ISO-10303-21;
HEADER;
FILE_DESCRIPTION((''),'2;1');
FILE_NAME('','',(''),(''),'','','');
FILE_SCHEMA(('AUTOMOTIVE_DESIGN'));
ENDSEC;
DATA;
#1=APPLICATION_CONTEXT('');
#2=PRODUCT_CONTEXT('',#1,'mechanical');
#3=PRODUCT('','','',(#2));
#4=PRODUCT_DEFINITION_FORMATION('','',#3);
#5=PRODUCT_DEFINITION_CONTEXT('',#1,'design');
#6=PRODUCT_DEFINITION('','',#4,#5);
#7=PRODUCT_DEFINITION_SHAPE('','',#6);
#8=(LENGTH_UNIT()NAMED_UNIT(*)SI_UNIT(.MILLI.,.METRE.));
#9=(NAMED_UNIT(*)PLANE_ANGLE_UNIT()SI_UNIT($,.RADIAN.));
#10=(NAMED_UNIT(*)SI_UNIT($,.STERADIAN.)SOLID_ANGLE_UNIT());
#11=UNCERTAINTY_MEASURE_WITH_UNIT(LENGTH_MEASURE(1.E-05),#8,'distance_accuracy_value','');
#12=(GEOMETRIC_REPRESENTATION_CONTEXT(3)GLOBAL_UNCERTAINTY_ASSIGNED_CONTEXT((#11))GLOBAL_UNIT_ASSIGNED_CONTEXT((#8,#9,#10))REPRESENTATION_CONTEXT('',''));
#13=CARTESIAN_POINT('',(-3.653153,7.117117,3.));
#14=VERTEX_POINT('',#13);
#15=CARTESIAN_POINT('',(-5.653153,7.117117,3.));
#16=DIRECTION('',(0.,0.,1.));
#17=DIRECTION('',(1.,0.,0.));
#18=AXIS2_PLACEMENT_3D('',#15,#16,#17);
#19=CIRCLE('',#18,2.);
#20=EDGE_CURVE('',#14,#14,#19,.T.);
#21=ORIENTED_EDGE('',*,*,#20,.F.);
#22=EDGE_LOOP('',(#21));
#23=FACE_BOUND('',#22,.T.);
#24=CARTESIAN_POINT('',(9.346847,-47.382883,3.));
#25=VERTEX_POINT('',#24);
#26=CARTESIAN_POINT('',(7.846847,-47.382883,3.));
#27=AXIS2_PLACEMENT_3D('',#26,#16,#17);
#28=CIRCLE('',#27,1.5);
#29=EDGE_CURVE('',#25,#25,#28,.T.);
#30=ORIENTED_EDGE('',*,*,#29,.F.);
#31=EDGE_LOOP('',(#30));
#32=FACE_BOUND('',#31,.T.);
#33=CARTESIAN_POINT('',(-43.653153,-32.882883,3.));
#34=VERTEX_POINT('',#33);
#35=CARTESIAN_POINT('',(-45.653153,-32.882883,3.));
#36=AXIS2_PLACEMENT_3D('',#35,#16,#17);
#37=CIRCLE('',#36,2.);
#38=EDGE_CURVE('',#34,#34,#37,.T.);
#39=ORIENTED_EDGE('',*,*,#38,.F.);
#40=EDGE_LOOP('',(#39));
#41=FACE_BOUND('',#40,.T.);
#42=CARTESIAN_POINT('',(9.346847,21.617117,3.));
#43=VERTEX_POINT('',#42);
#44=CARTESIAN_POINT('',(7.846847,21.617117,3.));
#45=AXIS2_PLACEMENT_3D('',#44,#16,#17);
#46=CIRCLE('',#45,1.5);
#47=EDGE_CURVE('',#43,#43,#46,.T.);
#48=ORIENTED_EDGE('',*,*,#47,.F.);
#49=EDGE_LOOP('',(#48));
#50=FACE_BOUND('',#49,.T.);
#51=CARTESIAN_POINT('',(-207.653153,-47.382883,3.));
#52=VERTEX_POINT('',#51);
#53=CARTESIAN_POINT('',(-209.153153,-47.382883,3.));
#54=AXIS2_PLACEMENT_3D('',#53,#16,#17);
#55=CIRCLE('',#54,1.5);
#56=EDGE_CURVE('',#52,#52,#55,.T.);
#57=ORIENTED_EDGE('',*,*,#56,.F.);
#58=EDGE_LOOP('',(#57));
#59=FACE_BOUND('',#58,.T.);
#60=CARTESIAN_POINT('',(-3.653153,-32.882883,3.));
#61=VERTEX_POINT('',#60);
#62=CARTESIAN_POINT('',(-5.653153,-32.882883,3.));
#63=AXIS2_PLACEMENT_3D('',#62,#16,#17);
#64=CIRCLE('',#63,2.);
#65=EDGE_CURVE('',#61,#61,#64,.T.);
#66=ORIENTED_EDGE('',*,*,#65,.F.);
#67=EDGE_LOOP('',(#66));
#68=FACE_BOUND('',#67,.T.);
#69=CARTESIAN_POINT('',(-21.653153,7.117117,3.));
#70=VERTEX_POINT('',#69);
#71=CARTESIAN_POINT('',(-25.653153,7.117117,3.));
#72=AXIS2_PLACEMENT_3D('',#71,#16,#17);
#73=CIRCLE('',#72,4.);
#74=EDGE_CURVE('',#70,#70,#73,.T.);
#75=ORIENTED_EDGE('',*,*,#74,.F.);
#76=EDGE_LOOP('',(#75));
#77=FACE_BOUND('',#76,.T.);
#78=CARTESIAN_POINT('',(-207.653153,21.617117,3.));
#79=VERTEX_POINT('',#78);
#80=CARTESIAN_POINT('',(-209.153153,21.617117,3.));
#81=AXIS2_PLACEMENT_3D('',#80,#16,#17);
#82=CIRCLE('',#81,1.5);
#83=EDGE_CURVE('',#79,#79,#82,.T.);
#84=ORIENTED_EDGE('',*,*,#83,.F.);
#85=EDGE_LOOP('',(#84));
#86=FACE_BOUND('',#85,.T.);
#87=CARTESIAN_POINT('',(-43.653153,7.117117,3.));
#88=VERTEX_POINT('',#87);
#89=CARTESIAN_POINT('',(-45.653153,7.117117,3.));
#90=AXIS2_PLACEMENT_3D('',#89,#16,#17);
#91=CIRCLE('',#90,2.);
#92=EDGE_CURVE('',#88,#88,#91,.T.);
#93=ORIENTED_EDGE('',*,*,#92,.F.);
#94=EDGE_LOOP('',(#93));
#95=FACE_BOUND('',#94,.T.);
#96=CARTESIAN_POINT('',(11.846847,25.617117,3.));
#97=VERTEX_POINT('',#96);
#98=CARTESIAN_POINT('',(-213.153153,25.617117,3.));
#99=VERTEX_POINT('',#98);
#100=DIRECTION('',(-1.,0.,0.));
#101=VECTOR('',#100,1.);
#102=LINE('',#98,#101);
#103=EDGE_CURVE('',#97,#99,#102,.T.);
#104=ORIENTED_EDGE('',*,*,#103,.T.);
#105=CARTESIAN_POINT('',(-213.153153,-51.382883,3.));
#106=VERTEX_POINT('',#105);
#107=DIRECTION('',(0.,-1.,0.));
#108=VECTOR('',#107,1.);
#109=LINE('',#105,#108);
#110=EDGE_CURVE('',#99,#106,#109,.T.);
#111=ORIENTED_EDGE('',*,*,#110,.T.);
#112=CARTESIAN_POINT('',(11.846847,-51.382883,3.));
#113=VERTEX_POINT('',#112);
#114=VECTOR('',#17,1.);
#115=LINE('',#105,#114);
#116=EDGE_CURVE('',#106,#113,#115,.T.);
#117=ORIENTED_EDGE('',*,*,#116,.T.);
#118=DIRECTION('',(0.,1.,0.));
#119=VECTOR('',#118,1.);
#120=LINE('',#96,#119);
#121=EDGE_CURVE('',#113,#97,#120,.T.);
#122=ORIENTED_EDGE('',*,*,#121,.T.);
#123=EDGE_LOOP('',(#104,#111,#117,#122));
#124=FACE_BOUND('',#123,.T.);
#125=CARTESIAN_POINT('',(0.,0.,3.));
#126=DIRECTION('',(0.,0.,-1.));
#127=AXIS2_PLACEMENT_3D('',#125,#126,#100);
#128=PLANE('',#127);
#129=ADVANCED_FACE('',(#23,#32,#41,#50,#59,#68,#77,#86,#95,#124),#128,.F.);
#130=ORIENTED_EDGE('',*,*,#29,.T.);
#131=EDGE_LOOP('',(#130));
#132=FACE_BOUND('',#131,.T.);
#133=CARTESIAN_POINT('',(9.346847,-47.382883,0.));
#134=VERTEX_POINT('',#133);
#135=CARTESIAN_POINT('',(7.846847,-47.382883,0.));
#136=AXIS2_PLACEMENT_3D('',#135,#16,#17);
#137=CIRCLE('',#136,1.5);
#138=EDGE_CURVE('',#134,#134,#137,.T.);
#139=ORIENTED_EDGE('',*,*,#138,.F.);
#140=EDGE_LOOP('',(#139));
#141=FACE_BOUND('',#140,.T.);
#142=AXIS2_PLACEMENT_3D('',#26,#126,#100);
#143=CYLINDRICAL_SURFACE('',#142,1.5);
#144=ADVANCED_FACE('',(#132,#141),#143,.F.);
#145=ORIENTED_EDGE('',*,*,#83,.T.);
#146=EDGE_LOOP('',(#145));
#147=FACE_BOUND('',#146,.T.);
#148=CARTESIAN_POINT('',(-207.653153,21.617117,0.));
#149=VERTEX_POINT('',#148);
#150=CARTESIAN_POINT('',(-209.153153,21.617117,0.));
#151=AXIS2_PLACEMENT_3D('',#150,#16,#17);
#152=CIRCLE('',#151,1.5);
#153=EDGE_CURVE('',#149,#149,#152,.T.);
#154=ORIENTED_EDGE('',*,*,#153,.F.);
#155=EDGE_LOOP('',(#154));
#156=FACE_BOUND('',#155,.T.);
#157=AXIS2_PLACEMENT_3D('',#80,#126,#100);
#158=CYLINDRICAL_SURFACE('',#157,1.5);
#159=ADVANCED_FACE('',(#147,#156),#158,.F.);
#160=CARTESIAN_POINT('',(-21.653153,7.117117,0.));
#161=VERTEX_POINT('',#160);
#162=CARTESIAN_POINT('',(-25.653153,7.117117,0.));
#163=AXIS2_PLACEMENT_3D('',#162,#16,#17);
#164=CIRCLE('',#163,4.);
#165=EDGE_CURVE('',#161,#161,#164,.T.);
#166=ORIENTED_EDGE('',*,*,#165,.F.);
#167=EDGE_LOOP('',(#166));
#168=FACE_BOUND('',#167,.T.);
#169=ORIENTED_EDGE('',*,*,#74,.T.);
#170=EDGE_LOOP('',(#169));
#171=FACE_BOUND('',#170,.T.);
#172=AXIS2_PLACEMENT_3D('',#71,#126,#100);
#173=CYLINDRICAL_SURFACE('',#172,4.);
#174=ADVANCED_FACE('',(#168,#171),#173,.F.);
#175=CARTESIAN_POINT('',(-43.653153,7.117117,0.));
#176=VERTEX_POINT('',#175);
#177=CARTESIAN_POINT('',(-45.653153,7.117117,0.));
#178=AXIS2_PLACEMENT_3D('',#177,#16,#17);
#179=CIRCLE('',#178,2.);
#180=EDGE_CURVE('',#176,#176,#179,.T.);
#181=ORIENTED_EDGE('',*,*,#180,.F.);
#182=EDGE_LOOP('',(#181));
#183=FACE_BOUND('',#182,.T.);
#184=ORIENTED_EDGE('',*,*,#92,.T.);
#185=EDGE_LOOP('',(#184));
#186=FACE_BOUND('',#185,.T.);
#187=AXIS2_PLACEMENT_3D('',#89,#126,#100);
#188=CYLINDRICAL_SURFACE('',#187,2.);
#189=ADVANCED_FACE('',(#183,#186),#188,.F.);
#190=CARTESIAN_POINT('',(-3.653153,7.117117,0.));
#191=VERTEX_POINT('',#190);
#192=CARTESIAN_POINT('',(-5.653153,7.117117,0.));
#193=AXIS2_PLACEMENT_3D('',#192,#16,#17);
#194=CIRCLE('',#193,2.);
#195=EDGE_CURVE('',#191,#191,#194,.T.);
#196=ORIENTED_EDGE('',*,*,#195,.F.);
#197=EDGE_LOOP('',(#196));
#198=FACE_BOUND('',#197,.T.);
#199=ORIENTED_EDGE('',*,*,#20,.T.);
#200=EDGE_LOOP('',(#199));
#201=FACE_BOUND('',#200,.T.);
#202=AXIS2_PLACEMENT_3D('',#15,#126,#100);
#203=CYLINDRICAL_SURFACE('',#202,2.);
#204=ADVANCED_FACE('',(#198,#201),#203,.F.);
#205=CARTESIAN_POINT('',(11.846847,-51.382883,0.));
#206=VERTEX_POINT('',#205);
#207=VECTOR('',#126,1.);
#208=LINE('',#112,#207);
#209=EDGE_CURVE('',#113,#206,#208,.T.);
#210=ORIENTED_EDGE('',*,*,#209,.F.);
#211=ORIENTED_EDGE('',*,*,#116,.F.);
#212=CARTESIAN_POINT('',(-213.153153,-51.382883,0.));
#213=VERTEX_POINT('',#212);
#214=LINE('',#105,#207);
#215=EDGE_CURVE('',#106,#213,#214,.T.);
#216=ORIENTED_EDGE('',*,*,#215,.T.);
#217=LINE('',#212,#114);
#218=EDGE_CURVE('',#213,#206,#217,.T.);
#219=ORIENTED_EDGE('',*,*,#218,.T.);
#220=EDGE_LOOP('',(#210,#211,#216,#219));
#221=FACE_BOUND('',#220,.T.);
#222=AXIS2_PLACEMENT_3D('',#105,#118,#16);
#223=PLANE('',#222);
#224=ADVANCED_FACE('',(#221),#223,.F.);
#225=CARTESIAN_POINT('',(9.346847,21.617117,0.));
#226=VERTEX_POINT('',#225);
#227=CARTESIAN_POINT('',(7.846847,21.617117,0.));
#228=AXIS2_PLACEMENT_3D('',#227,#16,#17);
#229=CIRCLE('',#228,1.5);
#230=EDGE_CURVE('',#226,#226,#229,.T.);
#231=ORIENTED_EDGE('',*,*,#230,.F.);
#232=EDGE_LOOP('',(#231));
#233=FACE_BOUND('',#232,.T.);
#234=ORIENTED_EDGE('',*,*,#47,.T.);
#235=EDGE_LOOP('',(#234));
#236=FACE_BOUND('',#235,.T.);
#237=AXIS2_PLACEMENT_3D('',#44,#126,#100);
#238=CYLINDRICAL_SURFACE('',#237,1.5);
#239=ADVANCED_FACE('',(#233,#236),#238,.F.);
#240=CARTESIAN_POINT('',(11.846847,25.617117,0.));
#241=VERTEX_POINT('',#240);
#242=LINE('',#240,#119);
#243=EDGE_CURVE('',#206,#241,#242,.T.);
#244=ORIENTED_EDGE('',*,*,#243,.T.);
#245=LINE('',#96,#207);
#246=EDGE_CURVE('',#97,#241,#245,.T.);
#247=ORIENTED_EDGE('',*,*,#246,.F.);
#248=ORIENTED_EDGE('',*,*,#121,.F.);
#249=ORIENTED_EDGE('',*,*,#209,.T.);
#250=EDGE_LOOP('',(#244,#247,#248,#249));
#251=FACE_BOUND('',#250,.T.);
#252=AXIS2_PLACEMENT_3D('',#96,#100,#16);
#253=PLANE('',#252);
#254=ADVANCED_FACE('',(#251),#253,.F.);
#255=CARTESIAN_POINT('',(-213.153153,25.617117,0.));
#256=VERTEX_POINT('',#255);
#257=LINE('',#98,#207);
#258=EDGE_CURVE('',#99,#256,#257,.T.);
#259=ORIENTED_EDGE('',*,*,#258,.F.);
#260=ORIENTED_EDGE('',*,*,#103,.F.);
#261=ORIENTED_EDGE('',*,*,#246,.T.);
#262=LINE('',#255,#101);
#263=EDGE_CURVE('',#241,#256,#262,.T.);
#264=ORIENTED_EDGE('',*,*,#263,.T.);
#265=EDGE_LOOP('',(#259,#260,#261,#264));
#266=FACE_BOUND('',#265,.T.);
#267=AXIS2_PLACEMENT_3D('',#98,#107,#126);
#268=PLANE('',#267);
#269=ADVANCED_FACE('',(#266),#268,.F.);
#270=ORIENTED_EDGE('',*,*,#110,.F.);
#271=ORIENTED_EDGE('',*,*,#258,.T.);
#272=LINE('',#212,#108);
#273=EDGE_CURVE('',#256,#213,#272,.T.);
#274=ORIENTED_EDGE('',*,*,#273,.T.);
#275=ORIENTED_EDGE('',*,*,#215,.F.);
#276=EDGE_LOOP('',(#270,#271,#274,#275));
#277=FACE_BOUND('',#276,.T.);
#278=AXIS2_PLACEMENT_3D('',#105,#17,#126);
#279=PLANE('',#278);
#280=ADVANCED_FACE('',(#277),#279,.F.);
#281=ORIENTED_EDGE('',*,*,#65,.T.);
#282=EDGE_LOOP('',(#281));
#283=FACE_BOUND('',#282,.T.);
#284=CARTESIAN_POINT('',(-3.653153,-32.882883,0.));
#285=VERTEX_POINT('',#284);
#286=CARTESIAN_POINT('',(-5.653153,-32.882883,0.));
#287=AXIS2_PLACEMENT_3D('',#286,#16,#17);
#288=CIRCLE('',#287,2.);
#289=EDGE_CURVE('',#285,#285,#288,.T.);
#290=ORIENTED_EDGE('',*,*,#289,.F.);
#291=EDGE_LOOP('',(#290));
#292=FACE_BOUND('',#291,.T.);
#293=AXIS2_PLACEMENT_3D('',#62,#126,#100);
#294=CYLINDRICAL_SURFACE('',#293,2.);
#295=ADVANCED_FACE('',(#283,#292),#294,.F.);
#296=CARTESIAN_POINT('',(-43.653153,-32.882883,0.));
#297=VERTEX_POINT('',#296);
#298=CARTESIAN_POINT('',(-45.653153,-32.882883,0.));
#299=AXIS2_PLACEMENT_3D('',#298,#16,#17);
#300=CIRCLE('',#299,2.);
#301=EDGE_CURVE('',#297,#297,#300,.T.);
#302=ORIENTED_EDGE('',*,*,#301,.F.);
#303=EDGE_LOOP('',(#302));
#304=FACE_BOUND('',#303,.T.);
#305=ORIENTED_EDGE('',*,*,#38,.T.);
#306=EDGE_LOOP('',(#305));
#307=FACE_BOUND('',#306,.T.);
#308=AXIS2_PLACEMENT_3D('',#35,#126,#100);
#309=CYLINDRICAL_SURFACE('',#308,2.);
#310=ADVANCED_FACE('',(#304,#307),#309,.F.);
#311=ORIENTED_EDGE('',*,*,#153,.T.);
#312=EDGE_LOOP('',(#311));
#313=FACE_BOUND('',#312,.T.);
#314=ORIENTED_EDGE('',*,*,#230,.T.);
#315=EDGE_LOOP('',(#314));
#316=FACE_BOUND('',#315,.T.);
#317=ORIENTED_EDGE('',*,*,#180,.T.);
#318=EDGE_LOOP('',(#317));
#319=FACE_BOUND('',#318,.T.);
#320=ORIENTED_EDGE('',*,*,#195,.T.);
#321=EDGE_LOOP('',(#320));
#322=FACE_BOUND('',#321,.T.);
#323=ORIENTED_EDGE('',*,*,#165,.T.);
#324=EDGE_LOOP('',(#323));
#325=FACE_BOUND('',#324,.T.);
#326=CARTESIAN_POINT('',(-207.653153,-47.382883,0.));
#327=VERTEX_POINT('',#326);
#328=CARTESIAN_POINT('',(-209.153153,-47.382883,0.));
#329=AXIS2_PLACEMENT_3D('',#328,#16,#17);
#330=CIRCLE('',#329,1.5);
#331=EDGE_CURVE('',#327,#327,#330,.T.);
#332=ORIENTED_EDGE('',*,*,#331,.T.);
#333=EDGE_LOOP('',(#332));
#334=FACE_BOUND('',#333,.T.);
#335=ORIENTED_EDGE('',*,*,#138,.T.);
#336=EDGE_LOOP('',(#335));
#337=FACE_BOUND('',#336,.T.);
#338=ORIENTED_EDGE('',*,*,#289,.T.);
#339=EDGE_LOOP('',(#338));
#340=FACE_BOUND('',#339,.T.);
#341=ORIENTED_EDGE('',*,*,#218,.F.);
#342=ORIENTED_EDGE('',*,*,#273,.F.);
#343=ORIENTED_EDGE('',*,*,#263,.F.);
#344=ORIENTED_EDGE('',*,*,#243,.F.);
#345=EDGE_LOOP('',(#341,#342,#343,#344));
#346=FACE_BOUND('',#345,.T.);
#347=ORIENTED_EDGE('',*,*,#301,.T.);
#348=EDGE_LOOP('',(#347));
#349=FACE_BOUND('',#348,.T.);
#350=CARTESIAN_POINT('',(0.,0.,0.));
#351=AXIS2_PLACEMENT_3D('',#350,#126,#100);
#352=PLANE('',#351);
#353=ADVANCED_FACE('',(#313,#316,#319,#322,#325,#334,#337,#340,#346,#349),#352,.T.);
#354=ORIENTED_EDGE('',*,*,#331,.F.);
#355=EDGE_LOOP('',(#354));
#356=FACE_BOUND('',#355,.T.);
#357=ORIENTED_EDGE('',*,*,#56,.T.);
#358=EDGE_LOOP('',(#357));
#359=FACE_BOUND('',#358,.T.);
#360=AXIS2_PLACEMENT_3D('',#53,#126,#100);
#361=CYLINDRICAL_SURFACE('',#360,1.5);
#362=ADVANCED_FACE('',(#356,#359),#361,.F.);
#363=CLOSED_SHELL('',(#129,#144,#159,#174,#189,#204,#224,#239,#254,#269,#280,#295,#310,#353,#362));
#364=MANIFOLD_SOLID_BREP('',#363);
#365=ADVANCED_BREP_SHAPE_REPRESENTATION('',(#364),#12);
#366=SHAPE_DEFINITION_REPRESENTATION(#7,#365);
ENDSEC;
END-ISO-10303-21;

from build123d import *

# Parameters (mm, degrees)
SKETCH_1_W      = 225
SKETCH_1_H      = 77
SKETCH_1_R      = 1.5
SKETCH_1_R_2    = 2
SKETCH_1_R_3    = 4
EXTRUDE_1_DEPTH = 3


with BuildPart() as part:
    # 草图1 → 凸台-拉伸1 (new body)
    with BuildSketch(Plane.XY):
        with Locations((-100.653153153, -12.882882883)):
            Rectangle(SKETCH_1_W, SKETCH_1_H)
        with Locations((-209.153153153, 21.617117117)):
            Circle(SKETCH_1_R, mode=Mode.SUBTRACT)
        with Locations((7.846846847, 21.617117117)):
            Circle(SKETCH_1_R, mode=Mode.SUBTRACT)
        with Locations((-209.153153153, -47.382882883)):
            Circle(SKETCH_1_R, mode=Mode.SUBTRACT)
        with Locations((7.846846847, -47.382882883)):
            Circle(SKETCH_1_R, mode=Mode.SUBTRACT)
        with Locations((-5.653153153, -32.882882883)):
            Circle(SKETCH_1_R_2, mode=Mode.SUBTRACT)
        with Locations((-45.653153153, -32.882882883)):
            Circle(SKETCH_1_R_2, mode=Mode.SUBTRACT)
        with Locations((-45.653153153, 7.117117117)):
            Circle(SKETCH_1_R_2, mode=Mode.SUBTRACT)
        with Locations((-5.653153153, 7.117117117)):
            Circle(SKETCH_1_R_2, mode=Mode.SUBTRACT)
        with Locations((-25.653153153, 7.117117117)):
            Circle(SKETCH_1_R_3, mode=Mode.SUBTRACT)
    extrude(amount=EXTRUDE_1_DEPTH)


solid = part.part
